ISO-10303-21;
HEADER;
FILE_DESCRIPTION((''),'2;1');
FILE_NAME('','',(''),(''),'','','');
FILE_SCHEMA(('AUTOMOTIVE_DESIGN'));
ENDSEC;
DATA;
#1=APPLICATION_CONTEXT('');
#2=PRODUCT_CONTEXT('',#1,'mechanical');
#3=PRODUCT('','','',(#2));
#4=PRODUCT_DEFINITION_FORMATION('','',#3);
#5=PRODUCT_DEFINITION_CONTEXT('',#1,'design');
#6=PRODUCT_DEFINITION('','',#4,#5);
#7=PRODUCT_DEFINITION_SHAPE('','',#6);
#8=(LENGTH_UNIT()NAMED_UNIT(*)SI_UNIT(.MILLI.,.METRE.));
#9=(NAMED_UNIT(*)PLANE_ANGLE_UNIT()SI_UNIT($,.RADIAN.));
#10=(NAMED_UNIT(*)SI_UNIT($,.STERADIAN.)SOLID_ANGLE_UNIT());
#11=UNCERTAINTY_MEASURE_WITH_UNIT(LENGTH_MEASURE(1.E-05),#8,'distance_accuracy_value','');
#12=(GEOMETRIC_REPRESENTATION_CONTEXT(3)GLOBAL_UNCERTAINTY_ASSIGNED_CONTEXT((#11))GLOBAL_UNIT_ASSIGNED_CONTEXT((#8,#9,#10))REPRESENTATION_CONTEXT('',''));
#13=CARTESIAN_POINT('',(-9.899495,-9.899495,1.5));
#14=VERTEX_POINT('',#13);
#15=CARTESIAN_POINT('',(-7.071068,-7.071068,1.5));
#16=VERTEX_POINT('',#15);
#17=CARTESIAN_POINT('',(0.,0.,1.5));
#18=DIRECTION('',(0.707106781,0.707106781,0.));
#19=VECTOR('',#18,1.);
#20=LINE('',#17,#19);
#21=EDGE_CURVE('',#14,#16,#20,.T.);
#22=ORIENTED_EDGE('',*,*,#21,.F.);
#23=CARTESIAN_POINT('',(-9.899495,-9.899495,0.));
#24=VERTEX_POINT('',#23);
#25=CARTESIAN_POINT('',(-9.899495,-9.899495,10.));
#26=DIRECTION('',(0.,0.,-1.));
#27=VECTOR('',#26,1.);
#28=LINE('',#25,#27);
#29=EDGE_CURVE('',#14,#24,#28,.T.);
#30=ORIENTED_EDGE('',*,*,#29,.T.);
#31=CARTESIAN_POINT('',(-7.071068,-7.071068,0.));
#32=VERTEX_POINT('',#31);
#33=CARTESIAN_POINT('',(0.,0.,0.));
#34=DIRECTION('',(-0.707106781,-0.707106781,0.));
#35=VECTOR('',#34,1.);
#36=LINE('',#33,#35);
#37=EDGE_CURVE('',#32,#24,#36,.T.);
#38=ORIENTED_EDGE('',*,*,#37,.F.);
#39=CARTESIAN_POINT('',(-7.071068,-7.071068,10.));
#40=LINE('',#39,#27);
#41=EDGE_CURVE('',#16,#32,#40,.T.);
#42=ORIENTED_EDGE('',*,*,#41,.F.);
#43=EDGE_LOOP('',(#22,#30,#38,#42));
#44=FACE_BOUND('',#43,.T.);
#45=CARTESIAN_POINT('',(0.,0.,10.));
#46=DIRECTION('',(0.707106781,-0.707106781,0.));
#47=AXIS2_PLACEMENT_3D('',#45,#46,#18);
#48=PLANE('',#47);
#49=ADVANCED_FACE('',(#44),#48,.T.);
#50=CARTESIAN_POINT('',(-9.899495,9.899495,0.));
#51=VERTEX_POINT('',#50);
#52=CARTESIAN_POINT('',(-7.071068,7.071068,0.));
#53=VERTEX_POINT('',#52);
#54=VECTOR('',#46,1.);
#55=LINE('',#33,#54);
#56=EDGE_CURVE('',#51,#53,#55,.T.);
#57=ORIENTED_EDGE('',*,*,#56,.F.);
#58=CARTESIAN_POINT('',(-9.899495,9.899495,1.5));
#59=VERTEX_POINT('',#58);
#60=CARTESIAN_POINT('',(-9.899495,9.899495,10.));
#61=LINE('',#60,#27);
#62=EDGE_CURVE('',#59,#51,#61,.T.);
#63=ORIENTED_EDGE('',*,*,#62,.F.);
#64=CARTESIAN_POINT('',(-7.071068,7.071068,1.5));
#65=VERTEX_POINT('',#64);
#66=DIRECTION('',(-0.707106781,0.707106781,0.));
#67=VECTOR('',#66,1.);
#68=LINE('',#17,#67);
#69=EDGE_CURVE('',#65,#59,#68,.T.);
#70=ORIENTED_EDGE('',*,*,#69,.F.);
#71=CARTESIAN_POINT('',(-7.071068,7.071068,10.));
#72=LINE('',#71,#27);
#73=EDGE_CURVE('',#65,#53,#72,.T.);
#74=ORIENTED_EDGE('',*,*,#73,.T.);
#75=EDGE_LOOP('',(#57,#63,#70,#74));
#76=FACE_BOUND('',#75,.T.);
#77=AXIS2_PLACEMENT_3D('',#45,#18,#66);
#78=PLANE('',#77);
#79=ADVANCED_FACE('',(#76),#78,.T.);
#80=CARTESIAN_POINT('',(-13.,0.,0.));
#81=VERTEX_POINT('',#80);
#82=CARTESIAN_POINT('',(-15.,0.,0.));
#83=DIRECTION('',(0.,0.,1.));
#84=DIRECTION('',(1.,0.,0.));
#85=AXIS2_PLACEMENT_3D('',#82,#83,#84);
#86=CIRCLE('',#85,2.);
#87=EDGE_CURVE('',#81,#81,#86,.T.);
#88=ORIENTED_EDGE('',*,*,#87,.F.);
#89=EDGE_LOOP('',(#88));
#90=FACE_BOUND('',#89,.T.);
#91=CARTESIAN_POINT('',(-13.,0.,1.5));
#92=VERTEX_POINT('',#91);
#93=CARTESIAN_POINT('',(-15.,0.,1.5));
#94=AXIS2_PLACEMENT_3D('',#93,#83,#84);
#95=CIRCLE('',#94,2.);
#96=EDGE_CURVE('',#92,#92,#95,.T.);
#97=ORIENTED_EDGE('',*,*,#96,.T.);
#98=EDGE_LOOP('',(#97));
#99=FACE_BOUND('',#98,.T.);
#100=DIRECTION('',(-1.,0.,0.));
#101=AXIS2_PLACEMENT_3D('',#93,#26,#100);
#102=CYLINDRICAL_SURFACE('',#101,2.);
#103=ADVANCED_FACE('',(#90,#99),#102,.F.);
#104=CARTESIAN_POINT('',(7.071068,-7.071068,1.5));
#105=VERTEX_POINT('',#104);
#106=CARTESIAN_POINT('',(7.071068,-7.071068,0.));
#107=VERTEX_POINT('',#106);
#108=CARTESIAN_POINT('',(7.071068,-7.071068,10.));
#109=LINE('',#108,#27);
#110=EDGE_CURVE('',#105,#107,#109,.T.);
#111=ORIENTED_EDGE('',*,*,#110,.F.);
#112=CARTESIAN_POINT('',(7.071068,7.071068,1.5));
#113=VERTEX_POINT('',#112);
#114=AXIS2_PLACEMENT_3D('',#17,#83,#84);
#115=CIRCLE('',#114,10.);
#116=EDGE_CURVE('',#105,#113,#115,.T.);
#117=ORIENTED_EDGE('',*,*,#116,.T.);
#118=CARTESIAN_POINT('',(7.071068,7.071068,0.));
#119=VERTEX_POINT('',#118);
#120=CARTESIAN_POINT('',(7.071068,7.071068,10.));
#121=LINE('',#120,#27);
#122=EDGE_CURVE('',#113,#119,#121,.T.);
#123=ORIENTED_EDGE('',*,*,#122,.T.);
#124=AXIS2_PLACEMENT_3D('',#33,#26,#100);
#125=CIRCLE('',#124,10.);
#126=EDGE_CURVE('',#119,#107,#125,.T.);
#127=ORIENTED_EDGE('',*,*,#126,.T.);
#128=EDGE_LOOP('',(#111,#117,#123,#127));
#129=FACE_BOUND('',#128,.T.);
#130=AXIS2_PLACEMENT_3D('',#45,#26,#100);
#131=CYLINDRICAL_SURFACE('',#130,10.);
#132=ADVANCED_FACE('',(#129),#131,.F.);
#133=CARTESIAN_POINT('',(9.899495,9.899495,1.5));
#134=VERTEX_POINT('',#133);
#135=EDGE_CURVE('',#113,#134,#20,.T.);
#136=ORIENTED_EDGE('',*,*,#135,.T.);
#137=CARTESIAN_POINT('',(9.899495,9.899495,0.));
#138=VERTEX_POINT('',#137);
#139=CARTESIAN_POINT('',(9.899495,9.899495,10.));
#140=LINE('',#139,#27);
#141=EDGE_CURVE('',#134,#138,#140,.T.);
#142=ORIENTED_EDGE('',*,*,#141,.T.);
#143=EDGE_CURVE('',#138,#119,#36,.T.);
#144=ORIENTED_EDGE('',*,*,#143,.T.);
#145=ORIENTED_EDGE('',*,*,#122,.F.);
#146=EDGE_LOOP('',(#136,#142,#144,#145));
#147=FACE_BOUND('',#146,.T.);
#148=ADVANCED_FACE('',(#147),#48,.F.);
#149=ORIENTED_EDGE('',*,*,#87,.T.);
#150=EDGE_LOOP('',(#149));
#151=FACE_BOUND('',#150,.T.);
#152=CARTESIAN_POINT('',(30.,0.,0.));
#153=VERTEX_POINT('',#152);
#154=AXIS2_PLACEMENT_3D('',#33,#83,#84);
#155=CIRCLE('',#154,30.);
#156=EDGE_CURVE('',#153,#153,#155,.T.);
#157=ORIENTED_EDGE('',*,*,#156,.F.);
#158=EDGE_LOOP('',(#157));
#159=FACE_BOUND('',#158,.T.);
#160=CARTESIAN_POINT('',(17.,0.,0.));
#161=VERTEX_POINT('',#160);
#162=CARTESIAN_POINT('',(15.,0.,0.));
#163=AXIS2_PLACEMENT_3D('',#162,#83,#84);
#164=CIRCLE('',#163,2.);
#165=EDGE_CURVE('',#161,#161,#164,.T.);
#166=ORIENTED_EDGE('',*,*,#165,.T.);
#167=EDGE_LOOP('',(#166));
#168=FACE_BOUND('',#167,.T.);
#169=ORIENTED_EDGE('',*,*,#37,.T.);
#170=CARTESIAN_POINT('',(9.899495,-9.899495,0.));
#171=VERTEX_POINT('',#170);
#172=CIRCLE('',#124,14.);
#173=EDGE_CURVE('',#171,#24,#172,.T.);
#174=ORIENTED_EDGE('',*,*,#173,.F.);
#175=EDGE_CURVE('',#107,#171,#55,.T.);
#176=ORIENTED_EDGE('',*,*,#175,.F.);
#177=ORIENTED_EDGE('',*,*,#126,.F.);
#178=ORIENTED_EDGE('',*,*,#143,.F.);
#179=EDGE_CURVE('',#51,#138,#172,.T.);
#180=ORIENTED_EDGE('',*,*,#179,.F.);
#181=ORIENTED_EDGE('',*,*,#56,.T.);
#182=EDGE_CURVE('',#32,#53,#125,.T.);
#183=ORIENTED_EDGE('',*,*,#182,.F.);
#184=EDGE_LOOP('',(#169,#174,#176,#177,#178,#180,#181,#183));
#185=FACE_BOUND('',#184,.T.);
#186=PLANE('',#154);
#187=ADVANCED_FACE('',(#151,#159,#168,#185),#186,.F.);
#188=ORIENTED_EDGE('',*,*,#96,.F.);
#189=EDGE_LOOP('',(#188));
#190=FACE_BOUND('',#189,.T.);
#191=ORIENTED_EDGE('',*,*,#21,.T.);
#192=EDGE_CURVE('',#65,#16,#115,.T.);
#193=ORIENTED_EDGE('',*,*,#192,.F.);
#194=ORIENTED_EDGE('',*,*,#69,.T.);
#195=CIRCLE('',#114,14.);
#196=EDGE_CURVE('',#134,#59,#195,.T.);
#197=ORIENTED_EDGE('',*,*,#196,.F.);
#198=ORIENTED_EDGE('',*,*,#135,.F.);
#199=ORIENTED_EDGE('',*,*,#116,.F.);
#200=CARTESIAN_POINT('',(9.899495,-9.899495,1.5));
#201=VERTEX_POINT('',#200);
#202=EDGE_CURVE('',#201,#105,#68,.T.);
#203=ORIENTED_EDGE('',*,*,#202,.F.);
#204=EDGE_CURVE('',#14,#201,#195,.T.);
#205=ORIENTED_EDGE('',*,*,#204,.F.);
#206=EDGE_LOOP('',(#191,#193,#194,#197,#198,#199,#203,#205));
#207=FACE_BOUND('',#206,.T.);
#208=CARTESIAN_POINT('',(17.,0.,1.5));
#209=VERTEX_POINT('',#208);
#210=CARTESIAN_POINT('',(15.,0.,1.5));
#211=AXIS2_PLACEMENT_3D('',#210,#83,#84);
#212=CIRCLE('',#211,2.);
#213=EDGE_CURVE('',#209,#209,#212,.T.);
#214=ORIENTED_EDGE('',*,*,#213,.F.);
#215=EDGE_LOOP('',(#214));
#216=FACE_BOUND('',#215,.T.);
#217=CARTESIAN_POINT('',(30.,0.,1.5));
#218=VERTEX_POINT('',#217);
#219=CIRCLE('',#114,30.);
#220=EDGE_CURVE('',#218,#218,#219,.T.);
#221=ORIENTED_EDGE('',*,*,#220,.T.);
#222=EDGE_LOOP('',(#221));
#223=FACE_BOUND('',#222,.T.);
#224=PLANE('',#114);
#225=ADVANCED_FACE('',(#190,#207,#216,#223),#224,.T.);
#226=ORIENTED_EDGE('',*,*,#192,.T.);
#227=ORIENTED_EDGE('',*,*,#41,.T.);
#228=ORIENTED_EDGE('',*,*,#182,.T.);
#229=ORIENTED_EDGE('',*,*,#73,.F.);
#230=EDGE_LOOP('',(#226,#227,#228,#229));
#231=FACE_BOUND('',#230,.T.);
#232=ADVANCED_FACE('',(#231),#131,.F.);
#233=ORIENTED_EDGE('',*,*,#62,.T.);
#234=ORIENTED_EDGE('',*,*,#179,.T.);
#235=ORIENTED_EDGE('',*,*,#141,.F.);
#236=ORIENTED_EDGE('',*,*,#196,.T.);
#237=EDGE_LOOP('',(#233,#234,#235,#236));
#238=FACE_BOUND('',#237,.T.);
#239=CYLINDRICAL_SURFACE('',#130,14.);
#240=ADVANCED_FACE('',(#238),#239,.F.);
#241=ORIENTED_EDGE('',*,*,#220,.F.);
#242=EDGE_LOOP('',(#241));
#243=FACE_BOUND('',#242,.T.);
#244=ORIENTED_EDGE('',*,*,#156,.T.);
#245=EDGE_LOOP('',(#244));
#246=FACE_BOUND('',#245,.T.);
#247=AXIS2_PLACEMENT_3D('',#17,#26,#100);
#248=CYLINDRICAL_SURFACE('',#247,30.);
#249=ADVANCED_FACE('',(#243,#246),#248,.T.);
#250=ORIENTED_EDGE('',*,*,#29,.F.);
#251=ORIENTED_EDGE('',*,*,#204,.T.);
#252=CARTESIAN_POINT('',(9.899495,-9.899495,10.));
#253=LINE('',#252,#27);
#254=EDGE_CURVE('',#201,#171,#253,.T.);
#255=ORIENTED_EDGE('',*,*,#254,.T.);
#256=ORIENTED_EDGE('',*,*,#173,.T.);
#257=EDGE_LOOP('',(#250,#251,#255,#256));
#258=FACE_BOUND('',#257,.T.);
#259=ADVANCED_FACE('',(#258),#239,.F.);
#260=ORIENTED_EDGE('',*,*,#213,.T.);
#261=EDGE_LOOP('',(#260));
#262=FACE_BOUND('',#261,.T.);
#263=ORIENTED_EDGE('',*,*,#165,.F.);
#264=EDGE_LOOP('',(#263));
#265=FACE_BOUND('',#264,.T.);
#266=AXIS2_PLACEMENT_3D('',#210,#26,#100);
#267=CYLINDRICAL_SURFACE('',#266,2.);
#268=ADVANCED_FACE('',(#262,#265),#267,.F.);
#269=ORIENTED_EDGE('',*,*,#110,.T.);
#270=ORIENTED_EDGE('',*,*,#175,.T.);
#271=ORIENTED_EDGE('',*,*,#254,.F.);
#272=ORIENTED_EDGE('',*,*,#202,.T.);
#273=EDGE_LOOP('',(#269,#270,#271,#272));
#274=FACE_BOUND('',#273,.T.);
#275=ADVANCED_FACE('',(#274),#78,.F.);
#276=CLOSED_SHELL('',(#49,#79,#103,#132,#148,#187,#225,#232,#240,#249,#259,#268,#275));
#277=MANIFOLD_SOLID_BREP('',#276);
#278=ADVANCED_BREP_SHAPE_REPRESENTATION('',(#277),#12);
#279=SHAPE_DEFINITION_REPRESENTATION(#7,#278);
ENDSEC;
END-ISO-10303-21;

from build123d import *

# Parameters (mm, degrees)
SKETCH1_R           = 30
SKETCH1_R_2         = 2
BOSS_EXTRUDE1_DEPTH = 1.5
CUT_EXTRUDE1_DEPTH  = 10


with BuildPart() as part:
    # Sketch1 → Boss-Extrude1 (new body)
    with BuildSketch(Plane.XY):
        Circle(SKETCH1_R)
        with Locations((15, 0)):
            Circle(SKETCH1_R_2, mode=Mode.SUBTRACT)
        with Locations((-15, 0)):
            Circle(SKETCH1_R_2, mode=Mode.SUBTRACT)
    extrude(amount=BOSS_EXTRUDE1_DEPTH)

    # Sketch2 → Cut-Extrude1 (cut)
    with BuildSketch(Plane(origin=(0, 0, 0), x_dir=(-1, 0, 0), z_dir=(0, 0, -1))):
        with BuildLine():
            Line((7.071067812, 7.071067812), (9.899494937, 9.899494937))
            ThreePointArc((9.899494937, 9.899494937), (0, 14), (-9.899494937, 9.899494937))
            Line((-9.899494937, 9.899494937), (-7.071067812, 7.071067812))
            ThreePointArc((-7.071067812, 7.071067812), (-10, 0), (-7.071067812, -7.071067812))
            Line((-7.071067812, -7.071067812), (-9.899494937, -9.899494937))
            ThreePointArc((-9.899494937, -9.899494937), (0, -14), (9.899494937, -9.899494937))
            Line((9.899494937, -9.899494937), (7.071067812, -7.071067812))
            ThreePointArc((7.071067812, -7.071067812), (10, 0), (7.071067812, 7.071067812))
        make_face()
    extrude(amount=-CUT_EXTRUDE1_DEPTH, mode=Mode.SUBTRACT)


solid = part.part
